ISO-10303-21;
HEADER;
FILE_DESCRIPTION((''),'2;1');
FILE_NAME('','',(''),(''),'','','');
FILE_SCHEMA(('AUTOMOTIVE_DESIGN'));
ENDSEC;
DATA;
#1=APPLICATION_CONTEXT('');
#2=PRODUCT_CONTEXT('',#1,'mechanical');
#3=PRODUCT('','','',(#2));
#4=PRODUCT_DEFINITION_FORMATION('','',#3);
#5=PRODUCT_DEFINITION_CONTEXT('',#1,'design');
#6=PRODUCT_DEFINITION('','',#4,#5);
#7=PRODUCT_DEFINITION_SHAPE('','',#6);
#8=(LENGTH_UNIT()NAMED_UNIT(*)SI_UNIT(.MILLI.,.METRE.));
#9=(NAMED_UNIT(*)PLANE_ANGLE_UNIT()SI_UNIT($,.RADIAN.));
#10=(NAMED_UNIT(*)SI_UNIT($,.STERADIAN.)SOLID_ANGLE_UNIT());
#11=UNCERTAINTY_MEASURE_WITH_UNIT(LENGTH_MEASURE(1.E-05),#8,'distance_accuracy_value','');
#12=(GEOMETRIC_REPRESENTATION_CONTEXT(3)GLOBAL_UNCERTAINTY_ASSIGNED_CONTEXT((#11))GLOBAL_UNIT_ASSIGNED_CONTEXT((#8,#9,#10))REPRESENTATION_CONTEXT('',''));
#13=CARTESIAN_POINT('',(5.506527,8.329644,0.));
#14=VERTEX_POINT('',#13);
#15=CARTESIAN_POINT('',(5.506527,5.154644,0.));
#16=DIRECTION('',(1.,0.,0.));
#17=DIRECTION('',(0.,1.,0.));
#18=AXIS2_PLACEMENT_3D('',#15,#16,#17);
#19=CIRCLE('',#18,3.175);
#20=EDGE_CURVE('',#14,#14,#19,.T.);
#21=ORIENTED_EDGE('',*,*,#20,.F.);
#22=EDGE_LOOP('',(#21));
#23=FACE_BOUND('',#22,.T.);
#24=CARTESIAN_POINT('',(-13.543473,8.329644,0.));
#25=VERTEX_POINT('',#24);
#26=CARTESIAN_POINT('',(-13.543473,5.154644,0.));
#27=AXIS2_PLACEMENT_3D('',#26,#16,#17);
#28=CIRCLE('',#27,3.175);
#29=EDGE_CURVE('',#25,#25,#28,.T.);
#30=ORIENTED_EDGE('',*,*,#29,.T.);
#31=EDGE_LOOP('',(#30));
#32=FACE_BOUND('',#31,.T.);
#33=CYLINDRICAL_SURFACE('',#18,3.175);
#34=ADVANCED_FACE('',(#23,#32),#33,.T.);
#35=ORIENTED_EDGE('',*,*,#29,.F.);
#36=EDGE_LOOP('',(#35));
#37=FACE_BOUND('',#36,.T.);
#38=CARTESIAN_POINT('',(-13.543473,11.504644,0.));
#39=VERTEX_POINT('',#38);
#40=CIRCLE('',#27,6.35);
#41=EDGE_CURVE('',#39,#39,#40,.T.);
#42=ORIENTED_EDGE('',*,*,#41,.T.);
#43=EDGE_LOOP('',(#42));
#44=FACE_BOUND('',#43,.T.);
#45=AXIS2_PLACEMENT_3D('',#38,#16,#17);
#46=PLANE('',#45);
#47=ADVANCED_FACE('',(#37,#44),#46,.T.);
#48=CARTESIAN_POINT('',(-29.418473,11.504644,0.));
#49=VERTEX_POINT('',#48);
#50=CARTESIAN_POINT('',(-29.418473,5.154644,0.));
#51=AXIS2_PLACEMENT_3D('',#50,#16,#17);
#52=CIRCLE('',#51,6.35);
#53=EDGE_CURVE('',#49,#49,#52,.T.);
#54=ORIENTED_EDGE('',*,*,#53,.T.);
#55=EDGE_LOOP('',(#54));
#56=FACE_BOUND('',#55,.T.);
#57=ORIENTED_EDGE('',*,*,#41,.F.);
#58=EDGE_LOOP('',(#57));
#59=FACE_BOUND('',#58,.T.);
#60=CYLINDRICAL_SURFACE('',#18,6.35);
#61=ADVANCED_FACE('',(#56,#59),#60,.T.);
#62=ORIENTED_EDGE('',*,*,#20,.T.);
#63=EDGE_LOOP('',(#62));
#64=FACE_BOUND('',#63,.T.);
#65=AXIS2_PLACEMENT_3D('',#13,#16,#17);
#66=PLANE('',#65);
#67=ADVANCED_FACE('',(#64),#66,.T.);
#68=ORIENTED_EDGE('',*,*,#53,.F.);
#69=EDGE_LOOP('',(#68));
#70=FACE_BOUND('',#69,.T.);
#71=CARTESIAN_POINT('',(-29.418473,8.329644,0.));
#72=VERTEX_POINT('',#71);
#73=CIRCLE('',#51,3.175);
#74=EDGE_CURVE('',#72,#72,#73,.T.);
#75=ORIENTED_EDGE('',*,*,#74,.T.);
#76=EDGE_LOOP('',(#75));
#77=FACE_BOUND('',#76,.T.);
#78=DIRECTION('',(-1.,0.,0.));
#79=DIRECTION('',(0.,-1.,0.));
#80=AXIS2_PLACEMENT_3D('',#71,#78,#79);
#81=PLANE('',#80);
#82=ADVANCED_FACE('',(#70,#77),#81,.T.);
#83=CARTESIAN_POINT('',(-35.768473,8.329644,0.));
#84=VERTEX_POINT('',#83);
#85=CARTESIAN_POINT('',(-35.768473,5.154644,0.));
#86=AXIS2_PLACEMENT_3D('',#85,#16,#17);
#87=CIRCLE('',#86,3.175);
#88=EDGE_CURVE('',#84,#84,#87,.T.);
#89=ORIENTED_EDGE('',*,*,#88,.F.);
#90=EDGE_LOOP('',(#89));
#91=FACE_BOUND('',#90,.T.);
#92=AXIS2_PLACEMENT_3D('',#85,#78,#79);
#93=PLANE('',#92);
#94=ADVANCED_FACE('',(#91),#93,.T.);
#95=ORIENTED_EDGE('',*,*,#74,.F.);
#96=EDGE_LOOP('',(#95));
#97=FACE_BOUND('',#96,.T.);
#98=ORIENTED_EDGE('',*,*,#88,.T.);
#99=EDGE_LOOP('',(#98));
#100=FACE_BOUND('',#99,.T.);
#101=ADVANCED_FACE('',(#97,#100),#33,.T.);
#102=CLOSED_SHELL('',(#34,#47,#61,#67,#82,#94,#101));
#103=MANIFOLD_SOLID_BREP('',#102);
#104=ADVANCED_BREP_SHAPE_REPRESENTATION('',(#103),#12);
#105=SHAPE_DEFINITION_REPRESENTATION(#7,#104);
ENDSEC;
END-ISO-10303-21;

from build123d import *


with BuildPart() as part:
    # Sketch1 → Revolve1 (revolve)
    with BuildSketch(Plane.XY):
        Polygon((-35.768472635, 5.154644312), (-35.768472635, 8.329644312), (-29.418472635, 8.329644312), (-29.418472635, 11.504644312), (-13.543472635, 11.504644312), (-13.543472635, 8.329644312), (5.506527365, 8.329644312), (5.506527365, 5.154644312), align=None)
    revolve(axis=Axis((5.506527365, 5.154644312, 0), (-1, 0, 0)))


solid = part.part
